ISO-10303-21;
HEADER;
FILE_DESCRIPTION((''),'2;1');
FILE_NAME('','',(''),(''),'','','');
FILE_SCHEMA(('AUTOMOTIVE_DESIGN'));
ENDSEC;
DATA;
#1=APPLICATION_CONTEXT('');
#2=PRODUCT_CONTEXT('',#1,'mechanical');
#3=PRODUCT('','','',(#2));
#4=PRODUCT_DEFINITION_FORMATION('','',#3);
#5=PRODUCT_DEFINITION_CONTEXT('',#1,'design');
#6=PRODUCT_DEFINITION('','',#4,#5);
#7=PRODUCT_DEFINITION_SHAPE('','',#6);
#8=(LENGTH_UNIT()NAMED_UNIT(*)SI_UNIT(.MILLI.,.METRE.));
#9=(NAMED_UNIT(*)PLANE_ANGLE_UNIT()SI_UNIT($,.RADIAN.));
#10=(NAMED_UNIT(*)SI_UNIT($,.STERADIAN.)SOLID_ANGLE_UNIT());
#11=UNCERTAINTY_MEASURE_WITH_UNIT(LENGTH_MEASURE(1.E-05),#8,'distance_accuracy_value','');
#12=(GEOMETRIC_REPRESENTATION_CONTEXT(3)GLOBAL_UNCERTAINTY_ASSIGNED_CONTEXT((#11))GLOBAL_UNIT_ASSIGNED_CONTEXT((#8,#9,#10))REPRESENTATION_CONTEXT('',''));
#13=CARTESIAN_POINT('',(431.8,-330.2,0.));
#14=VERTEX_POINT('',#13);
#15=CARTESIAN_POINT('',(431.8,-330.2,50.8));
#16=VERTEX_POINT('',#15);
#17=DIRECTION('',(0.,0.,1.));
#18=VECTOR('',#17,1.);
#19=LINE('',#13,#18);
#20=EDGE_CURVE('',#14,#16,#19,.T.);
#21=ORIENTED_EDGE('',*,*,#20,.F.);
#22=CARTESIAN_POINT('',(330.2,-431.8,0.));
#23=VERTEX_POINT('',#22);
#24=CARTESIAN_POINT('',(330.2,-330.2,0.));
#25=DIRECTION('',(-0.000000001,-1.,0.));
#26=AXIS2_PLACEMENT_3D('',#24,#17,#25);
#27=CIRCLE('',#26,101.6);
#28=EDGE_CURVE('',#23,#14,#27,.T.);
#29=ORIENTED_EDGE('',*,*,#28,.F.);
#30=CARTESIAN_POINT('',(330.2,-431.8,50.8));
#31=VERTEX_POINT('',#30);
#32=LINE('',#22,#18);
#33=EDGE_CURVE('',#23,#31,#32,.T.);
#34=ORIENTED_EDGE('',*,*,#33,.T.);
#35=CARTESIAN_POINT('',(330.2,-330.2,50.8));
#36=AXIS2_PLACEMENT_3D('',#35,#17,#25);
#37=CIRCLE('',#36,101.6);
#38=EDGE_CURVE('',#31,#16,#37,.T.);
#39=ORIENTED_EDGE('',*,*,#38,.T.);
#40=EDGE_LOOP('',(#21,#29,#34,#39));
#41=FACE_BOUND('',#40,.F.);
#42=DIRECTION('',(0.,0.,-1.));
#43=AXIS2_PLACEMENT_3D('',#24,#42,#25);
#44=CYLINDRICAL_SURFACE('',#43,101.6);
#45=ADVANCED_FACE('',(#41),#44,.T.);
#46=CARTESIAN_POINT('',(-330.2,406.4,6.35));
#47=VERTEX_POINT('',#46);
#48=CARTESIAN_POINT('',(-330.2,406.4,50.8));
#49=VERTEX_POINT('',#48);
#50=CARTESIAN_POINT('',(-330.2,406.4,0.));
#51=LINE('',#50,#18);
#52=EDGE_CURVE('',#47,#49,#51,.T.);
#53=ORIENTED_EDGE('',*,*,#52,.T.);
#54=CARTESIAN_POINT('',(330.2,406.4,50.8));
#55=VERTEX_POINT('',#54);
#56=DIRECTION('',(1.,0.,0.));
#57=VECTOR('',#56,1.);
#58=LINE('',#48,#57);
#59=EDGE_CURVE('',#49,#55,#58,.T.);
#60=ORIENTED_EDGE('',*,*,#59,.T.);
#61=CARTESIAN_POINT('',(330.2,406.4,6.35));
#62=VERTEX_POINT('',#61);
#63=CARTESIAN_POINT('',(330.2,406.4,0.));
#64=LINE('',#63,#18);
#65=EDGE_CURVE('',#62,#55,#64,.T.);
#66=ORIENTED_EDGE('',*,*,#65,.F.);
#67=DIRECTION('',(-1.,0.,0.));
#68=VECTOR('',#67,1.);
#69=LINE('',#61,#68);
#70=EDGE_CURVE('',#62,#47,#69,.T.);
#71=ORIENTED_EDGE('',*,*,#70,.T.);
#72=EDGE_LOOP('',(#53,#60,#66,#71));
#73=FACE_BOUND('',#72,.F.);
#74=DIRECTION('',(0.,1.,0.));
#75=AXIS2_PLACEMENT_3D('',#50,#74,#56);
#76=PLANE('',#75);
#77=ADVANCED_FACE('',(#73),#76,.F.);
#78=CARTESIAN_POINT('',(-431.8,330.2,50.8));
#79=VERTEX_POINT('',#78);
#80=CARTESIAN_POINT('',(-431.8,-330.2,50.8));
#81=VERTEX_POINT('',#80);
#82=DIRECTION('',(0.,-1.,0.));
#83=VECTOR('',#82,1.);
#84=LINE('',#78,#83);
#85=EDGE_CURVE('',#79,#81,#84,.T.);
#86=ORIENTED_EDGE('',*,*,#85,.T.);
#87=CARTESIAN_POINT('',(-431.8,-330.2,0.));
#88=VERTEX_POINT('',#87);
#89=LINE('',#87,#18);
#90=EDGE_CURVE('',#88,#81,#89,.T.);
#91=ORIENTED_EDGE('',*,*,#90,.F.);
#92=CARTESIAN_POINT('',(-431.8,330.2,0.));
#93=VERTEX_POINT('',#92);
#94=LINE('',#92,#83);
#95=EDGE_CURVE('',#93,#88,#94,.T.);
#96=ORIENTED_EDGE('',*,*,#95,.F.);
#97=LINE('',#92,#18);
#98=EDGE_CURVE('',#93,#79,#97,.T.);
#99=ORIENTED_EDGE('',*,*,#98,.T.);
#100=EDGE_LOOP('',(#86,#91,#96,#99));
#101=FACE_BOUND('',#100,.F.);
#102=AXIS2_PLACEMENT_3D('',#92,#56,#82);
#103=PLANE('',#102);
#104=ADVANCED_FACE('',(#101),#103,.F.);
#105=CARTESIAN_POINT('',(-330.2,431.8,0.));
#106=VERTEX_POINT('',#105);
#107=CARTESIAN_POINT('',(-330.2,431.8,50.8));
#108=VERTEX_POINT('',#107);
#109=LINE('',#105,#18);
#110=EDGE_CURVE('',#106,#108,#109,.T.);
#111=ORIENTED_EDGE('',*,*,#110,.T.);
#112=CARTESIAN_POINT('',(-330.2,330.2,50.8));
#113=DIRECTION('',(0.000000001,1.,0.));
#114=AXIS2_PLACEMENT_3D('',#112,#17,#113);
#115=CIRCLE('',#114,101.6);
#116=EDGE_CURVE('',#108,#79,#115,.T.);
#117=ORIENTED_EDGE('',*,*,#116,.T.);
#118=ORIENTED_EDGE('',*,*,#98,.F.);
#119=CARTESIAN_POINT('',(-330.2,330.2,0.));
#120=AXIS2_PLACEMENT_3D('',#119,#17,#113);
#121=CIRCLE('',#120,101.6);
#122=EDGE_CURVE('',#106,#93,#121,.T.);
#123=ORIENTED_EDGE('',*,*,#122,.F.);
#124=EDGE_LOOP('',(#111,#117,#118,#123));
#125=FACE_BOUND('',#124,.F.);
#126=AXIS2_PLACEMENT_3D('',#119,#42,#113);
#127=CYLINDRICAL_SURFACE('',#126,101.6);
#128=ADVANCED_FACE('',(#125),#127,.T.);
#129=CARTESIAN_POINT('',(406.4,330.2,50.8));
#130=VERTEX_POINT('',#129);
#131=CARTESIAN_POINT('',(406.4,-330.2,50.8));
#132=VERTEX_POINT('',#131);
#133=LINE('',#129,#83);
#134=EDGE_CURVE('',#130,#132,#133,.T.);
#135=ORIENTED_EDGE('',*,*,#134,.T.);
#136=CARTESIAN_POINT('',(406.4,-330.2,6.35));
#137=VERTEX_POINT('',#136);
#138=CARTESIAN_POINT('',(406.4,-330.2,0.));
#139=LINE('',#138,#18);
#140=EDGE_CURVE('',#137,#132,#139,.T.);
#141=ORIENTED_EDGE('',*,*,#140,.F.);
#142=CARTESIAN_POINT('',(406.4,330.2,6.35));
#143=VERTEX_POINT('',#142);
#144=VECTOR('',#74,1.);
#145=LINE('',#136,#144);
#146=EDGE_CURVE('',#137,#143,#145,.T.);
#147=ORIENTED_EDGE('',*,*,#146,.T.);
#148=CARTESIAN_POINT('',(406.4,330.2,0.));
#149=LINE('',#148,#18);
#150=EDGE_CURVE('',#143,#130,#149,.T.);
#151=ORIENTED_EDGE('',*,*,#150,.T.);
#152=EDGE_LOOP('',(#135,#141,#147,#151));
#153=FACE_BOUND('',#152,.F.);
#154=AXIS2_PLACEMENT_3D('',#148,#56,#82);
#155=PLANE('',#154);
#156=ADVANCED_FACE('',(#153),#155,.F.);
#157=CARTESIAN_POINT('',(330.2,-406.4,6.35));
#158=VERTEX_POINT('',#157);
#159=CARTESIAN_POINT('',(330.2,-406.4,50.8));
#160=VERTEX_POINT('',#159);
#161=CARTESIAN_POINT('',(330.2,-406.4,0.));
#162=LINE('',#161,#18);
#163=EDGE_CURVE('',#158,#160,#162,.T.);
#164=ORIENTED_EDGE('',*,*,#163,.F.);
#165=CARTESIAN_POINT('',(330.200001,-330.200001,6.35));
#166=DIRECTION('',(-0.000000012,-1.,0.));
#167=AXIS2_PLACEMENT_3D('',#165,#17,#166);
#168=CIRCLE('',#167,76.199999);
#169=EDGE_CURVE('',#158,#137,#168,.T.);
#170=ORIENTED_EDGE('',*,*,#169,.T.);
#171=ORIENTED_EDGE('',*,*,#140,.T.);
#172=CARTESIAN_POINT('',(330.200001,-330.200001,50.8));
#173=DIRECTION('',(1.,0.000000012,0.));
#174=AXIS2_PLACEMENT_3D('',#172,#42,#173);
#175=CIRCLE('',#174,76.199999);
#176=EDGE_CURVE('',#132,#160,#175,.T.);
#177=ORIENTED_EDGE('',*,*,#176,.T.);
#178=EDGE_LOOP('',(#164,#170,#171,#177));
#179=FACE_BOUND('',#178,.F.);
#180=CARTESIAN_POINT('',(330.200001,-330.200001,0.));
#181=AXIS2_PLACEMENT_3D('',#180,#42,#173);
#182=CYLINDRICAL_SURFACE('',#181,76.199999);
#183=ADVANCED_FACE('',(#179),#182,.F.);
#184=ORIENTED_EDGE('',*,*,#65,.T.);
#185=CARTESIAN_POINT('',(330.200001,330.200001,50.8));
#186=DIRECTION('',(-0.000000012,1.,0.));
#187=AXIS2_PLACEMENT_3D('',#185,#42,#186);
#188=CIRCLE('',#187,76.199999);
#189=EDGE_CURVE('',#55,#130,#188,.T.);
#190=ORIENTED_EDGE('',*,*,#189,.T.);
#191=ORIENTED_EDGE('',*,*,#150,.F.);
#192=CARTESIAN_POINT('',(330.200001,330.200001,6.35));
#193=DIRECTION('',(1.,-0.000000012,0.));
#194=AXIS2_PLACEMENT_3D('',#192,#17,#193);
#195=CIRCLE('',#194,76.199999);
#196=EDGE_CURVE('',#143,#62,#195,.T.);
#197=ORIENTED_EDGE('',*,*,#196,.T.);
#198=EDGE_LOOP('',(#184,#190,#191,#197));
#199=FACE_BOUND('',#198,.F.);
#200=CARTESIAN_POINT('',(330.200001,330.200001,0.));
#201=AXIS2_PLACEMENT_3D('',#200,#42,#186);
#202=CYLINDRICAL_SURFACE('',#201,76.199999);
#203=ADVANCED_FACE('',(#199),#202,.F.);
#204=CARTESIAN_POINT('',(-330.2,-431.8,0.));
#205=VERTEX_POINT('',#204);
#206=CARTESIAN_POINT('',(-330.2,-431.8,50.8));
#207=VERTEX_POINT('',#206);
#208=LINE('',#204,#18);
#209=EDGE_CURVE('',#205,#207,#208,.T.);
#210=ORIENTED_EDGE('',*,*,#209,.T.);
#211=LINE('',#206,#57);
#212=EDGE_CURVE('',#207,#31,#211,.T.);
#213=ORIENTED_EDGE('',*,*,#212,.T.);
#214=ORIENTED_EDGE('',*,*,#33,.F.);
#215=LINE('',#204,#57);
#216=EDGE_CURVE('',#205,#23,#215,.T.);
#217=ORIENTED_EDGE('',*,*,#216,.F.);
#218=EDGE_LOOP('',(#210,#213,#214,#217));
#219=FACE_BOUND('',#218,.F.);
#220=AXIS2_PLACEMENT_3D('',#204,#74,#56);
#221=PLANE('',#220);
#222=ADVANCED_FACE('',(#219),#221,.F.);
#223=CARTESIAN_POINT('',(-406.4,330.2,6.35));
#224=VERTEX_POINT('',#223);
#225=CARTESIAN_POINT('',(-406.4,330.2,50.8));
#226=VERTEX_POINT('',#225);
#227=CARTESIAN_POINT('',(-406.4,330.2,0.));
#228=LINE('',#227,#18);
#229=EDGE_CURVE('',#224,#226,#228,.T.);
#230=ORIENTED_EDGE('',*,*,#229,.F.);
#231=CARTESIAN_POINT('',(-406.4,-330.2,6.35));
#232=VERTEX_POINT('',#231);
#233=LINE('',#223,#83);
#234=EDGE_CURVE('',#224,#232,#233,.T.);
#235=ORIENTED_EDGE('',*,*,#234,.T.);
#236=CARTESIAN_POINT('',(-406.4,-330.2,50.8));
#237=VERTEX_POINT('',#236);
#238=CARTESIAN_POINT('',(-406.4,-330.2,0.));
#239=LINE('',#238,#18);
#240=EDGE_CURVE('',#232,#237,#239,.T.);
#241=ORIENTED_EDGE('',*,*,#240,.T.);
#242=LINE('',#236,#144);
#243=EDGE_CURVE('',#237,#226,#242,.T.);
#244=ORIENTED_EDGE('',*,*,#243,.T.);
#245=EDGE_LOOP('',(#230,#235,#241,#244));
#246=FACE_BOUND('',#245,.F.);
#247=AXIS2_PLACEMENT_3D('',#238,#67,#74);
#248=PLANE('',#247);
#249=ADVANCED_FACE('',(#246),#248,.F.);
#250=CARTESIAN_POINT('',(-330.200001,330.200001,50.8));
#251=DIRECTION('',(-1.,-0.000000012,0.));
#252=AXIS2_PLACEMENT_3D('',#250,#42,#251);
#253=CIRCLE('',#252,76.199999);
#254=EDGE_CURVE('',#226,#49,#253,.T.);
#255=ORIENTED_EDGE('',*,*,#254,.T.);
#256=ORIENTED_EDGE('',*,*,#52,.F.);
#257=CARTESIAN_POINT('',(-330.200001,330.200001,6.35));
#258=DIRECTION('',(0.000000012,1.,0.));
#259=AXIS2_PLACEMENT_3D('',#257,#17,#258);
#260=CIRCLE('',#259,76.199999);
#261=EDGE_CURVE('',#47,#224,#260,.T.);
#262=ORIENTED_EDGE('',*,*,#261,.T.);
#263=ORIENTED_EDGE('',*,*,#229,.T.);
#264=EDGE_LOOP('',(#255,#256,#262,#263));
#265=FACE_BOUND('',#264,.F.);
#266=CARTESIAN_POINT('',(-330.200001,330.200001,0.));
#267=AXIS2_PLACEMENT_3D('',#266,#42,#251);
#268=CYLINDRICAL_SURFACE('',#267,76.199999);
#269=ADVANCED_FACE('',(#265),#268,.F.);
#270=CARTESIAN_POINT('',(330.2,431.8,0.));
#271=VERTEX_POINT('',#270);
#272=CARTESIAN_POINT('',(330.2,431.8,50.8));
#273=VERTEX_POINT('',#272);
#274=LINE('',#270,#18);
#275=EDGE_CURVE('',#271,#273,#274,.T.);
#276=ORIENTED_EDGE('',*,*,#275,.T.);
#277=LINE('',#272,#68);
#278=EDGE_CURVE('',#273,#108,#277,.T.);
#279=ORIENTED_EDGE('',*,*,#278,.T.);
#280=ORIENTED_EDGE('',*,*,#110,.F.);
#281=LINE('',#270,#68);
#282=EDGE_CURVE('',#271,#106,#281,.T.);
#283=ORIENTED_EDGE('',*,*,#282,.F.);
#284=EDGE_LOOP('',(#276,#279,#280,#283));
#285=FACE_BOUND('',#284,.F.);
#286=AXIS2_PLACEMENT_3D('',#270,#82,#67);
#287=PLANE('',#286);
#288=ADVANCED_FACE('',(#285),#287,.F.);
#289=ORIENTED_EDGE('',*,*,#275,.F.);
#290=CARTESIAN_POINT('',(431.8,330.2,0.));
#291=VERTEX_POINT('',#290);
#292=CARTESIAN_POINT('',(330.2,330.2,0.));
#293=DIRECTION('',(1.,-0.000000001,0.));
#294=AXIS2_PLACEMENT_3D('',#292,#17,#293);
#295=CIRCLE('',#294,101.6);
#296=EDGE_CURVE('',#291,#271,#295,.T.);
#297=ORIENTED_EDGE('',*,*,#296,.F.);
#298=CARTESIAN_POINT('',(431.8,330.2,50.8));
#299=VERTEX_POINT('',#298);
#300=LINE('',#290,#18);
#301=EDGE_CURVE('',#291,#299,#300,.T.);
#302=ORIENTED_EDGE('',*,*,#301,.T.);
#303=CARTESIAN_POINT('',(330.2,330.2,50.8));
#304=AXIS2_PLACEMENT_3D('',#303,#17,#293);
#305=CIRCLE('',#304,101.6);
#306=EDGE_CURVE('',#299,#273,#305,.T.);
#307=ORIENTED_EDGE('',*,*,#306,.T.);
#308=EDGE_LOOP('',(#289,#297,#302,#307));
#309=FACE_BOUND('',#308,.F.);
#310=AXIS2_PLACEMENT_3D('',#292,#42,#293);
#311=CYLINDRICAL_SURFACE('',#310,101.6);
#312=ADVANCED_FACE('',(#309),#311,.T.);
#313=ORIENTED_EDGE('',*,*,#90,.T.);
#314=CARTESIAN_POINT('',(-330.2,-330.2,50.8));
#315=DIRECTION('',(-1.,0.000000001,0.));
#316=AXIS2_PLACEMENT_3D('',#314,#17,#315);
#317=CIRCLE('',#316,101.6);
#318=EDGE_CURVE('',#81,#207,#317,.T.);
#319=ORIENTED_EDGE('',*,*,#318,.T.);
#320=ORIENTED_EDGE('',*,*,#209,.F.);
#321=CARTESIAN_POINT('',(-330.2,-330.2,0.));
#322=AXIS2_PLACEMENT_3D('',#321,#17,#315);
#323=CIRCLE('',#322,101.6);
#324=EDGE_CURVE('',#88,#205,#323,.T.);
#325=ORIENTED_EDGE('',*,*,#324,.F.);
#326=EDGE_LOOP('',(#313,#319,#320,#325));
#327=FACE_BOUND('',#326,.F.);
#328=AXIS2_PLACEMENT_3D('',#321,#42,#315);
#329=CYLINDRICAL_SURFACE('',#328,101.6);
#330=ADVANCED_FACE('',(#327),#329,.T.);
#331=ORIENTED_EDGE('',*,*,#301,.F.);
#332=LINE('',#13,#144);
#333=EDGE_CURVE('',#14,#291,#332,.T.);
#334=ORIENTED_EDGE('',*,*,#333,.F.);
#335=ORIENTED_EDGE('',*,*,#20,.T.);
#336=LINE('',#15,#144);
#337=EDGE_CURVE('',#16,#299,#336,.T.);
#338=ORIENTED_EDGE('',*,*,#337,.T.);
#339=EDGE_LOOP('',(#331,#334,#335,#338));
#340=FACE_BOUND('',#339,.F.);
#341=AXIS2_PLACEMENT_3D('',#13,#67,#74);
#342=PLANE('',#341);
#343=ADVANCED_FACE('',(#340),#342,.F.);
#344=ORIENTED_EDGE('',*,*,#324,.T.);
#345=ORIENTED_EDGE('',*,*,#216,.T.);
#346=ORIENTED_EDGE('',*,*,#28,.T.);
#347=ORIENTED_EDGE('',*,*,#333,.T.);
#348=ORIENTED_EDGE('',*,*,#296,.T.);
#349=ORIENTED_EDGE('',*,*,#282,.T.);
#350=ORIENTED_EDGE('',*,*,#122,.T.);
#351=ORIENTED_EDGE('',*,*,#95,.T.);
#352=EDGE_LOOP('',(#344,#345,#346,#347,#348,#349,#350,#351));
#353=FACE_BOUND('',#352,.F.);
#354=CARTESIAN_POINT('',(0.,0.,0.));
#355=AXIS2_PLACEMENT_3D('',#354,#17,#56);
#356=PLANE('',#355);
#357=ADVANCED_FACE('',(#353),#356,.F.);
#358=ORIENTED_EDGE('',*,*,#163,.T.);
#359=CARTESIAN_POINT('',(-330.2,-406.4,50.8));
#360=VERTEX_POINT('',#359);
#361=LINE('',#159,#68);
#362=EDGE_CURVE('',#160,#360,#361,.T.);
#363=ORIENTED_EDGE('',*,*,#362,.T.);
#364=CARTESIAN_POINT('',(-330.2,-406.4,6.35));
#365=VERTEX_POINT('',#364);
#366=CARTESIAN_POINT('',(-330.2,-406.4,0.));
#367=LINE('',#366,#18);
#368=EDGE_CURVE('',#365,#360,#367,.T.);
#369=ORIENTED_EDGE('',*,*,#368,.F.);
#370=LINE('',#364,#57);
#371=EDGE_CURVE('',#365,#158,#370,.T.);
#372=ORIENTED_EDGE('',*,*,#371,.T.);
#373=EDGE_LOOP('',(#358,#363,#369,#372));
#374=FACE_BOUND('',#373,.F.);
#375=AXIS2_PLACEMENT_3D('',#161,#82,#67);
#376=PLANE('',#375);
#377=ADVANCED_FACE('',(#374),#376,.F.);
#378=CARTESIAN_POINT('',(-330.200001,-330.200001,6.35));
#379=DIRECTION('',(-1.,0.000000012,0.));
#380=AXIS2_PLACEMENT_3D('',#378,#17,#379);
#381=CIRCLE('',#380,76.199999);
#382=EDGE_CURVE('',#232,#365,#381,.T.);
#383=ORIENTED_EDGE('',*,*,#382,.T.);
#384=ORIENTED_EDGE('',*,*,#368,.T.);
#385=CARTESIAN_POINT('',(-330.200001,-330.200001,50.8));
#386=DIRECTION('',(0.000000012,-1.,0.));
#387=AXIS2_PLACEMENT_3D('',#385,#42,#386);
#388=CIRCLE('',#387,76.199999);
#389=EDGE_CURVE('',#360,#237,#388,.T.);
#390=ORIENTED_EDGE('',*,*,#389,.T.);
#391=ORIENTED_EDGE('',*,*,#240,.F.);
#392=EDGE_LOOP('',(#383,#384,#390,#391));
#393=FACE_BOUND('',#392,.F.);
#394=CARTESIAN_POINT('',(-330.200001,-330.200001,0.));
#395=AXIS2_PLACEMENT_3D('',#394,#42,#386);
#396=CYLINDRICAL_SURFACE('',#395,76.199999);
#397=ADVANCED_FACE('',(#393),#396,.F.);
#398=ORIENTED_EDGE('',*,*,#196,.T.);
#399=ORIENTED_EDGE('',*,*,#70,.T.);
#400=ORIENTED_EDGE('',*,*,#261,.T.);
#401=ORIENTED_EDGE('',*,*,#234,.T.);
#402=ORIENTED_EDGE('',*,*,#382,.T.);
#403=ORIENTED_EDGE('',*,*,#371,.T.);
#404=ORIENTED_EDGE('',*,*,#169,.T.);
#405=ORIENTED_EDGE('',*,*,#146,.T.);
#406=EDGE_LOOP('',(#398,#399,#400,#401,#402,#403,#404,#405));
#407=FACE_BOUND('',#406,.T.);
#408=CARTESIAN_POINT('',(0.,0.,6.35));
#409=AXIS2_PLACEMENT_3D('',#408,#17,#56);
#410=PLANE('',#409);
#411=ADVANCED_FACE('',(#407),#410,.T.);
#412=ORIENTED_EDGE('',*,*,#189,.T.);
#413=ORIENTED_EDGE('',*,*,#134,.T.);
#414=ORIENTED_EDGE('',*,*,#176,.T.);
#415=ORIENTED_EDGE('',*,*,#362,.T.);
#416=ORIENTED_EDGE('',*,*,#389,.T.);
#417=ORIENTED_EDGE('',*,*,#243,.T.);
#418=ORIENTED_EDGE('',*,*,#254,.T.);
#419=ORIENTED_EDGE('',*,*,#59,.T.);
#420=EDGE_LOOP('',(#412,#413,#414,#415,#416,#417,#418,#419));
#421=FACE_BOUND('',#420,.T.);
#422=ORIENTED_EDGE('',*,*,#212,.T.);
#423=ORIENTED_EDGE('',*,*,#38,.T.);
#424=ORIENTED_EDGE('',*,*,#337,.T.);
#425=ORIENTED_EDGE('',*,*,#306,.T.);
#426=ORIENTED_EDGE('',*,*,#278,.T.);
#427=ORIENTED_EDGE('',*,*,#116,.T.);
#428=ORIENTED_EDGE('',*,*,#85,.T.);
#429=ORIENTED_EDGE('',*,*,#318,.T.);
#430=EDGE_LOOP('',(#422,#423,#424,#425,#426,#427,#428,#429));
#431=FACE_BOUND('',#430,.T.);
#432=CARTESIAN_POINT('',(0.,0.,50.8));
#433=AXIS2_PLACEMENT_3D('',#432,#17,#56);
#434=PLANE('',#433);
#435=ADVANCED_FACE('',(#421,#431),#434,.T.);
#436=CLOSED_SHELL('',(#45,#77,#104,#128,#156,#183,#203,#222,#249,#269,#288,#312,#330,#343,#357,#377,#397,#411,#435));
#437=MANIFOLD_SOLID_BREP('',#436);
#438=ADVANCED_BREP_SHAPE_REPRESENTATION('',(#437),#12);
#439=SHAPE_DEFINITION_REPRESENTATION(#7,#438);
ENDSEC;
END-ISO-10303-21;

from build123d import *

# Parameters (mm, degrees)
F1_DEPTH = 50.8
F3_DEPTH = 6.35


with BuildPart() as f1:
    # F0 (on Top) → F1 (new body)
    with BuildSketch(Plane.XY):
        with BuildLine():
            ThreePointArc((431.8, 330.2), (402.042049, 402.042049), (330.2, 431.8))
            Line((330.2, 431.8), (-330.2, 431.8))
            ThreePointArc((-330.2, 431.8), (-402.042049, 402.042049), (-431.8, 330.2))
            Line((-431.8, 330.2), (-431.8, -330.2))
            ThreePointArc((-431.8, -330.2), (-402.042049, -402.042049), (-330.2, -431.8))
            Line((-330.2, -431.8), (330.2, -431.8))
            ThreePointArc((330.2, -431.8), (402.042049, -402.042049), (431.8, -330.2))
            Line((431.8, -330.2), (431.8, 330.2))
        make_face()
        with BuildLine():
            ThreePointArc((330.2, 406.4), (384.081537, 384.081537), (406.4, 330.2))
            Line((406.4, 330.2), (406.4, -330.2))
            ThreePointArc((406.4, -330.2), (384.081537, -384.081537), (330.2, -406.4))
            Line((330.2, -406.4), (-330.2, -406.4))
            ThreePointArc((-330.2, -406.4), (-384.081537, -384.081537), (-406.4, -330.2))
            Line((-406.4, -330.2), (-406.4, 330.2))
            ThreePointArc((-406.4, 330.2), (-384.081537, 384.081537), (-330.2, 406.4))
            Line((-330.2, 406.4), (330.2, 406.4))
        make_face(mode=Mode.SUBTRACT)
    extrude(amount=F1_DEPTH)

    # F2 (on Top) → F3 (join)
    with BuildSketch(Plane.XY):
        with BuildLine():
            Line((330.2, 406.4), (-330.2, 406.4))
            ThreePointArc((-330.2, 406.4), (-384.081537, 384.081537), (-406.4, 330.2))
            Line((-406.4, 330.2), (-406.4, -330.2))
            ThreePointArc((-406.4, -330.2), (-384.081537, -384.081537), (-330.2, -406.4))
            Line((-330.2, -406.4), (330.2, -406.4))
            ThreePointArc((330.2, -406.4), (384.081537, -384.081537), (406.4, -330.2))
            Line((406.4, -330.2), (406.4, 330.2))
            ThreePointArc((406.4, 330.2), (384.081537, 384.081537), (330.2, 406.4))
        make_face()
    extrude(amount=F3_DEPTH)


solid = f1.part
